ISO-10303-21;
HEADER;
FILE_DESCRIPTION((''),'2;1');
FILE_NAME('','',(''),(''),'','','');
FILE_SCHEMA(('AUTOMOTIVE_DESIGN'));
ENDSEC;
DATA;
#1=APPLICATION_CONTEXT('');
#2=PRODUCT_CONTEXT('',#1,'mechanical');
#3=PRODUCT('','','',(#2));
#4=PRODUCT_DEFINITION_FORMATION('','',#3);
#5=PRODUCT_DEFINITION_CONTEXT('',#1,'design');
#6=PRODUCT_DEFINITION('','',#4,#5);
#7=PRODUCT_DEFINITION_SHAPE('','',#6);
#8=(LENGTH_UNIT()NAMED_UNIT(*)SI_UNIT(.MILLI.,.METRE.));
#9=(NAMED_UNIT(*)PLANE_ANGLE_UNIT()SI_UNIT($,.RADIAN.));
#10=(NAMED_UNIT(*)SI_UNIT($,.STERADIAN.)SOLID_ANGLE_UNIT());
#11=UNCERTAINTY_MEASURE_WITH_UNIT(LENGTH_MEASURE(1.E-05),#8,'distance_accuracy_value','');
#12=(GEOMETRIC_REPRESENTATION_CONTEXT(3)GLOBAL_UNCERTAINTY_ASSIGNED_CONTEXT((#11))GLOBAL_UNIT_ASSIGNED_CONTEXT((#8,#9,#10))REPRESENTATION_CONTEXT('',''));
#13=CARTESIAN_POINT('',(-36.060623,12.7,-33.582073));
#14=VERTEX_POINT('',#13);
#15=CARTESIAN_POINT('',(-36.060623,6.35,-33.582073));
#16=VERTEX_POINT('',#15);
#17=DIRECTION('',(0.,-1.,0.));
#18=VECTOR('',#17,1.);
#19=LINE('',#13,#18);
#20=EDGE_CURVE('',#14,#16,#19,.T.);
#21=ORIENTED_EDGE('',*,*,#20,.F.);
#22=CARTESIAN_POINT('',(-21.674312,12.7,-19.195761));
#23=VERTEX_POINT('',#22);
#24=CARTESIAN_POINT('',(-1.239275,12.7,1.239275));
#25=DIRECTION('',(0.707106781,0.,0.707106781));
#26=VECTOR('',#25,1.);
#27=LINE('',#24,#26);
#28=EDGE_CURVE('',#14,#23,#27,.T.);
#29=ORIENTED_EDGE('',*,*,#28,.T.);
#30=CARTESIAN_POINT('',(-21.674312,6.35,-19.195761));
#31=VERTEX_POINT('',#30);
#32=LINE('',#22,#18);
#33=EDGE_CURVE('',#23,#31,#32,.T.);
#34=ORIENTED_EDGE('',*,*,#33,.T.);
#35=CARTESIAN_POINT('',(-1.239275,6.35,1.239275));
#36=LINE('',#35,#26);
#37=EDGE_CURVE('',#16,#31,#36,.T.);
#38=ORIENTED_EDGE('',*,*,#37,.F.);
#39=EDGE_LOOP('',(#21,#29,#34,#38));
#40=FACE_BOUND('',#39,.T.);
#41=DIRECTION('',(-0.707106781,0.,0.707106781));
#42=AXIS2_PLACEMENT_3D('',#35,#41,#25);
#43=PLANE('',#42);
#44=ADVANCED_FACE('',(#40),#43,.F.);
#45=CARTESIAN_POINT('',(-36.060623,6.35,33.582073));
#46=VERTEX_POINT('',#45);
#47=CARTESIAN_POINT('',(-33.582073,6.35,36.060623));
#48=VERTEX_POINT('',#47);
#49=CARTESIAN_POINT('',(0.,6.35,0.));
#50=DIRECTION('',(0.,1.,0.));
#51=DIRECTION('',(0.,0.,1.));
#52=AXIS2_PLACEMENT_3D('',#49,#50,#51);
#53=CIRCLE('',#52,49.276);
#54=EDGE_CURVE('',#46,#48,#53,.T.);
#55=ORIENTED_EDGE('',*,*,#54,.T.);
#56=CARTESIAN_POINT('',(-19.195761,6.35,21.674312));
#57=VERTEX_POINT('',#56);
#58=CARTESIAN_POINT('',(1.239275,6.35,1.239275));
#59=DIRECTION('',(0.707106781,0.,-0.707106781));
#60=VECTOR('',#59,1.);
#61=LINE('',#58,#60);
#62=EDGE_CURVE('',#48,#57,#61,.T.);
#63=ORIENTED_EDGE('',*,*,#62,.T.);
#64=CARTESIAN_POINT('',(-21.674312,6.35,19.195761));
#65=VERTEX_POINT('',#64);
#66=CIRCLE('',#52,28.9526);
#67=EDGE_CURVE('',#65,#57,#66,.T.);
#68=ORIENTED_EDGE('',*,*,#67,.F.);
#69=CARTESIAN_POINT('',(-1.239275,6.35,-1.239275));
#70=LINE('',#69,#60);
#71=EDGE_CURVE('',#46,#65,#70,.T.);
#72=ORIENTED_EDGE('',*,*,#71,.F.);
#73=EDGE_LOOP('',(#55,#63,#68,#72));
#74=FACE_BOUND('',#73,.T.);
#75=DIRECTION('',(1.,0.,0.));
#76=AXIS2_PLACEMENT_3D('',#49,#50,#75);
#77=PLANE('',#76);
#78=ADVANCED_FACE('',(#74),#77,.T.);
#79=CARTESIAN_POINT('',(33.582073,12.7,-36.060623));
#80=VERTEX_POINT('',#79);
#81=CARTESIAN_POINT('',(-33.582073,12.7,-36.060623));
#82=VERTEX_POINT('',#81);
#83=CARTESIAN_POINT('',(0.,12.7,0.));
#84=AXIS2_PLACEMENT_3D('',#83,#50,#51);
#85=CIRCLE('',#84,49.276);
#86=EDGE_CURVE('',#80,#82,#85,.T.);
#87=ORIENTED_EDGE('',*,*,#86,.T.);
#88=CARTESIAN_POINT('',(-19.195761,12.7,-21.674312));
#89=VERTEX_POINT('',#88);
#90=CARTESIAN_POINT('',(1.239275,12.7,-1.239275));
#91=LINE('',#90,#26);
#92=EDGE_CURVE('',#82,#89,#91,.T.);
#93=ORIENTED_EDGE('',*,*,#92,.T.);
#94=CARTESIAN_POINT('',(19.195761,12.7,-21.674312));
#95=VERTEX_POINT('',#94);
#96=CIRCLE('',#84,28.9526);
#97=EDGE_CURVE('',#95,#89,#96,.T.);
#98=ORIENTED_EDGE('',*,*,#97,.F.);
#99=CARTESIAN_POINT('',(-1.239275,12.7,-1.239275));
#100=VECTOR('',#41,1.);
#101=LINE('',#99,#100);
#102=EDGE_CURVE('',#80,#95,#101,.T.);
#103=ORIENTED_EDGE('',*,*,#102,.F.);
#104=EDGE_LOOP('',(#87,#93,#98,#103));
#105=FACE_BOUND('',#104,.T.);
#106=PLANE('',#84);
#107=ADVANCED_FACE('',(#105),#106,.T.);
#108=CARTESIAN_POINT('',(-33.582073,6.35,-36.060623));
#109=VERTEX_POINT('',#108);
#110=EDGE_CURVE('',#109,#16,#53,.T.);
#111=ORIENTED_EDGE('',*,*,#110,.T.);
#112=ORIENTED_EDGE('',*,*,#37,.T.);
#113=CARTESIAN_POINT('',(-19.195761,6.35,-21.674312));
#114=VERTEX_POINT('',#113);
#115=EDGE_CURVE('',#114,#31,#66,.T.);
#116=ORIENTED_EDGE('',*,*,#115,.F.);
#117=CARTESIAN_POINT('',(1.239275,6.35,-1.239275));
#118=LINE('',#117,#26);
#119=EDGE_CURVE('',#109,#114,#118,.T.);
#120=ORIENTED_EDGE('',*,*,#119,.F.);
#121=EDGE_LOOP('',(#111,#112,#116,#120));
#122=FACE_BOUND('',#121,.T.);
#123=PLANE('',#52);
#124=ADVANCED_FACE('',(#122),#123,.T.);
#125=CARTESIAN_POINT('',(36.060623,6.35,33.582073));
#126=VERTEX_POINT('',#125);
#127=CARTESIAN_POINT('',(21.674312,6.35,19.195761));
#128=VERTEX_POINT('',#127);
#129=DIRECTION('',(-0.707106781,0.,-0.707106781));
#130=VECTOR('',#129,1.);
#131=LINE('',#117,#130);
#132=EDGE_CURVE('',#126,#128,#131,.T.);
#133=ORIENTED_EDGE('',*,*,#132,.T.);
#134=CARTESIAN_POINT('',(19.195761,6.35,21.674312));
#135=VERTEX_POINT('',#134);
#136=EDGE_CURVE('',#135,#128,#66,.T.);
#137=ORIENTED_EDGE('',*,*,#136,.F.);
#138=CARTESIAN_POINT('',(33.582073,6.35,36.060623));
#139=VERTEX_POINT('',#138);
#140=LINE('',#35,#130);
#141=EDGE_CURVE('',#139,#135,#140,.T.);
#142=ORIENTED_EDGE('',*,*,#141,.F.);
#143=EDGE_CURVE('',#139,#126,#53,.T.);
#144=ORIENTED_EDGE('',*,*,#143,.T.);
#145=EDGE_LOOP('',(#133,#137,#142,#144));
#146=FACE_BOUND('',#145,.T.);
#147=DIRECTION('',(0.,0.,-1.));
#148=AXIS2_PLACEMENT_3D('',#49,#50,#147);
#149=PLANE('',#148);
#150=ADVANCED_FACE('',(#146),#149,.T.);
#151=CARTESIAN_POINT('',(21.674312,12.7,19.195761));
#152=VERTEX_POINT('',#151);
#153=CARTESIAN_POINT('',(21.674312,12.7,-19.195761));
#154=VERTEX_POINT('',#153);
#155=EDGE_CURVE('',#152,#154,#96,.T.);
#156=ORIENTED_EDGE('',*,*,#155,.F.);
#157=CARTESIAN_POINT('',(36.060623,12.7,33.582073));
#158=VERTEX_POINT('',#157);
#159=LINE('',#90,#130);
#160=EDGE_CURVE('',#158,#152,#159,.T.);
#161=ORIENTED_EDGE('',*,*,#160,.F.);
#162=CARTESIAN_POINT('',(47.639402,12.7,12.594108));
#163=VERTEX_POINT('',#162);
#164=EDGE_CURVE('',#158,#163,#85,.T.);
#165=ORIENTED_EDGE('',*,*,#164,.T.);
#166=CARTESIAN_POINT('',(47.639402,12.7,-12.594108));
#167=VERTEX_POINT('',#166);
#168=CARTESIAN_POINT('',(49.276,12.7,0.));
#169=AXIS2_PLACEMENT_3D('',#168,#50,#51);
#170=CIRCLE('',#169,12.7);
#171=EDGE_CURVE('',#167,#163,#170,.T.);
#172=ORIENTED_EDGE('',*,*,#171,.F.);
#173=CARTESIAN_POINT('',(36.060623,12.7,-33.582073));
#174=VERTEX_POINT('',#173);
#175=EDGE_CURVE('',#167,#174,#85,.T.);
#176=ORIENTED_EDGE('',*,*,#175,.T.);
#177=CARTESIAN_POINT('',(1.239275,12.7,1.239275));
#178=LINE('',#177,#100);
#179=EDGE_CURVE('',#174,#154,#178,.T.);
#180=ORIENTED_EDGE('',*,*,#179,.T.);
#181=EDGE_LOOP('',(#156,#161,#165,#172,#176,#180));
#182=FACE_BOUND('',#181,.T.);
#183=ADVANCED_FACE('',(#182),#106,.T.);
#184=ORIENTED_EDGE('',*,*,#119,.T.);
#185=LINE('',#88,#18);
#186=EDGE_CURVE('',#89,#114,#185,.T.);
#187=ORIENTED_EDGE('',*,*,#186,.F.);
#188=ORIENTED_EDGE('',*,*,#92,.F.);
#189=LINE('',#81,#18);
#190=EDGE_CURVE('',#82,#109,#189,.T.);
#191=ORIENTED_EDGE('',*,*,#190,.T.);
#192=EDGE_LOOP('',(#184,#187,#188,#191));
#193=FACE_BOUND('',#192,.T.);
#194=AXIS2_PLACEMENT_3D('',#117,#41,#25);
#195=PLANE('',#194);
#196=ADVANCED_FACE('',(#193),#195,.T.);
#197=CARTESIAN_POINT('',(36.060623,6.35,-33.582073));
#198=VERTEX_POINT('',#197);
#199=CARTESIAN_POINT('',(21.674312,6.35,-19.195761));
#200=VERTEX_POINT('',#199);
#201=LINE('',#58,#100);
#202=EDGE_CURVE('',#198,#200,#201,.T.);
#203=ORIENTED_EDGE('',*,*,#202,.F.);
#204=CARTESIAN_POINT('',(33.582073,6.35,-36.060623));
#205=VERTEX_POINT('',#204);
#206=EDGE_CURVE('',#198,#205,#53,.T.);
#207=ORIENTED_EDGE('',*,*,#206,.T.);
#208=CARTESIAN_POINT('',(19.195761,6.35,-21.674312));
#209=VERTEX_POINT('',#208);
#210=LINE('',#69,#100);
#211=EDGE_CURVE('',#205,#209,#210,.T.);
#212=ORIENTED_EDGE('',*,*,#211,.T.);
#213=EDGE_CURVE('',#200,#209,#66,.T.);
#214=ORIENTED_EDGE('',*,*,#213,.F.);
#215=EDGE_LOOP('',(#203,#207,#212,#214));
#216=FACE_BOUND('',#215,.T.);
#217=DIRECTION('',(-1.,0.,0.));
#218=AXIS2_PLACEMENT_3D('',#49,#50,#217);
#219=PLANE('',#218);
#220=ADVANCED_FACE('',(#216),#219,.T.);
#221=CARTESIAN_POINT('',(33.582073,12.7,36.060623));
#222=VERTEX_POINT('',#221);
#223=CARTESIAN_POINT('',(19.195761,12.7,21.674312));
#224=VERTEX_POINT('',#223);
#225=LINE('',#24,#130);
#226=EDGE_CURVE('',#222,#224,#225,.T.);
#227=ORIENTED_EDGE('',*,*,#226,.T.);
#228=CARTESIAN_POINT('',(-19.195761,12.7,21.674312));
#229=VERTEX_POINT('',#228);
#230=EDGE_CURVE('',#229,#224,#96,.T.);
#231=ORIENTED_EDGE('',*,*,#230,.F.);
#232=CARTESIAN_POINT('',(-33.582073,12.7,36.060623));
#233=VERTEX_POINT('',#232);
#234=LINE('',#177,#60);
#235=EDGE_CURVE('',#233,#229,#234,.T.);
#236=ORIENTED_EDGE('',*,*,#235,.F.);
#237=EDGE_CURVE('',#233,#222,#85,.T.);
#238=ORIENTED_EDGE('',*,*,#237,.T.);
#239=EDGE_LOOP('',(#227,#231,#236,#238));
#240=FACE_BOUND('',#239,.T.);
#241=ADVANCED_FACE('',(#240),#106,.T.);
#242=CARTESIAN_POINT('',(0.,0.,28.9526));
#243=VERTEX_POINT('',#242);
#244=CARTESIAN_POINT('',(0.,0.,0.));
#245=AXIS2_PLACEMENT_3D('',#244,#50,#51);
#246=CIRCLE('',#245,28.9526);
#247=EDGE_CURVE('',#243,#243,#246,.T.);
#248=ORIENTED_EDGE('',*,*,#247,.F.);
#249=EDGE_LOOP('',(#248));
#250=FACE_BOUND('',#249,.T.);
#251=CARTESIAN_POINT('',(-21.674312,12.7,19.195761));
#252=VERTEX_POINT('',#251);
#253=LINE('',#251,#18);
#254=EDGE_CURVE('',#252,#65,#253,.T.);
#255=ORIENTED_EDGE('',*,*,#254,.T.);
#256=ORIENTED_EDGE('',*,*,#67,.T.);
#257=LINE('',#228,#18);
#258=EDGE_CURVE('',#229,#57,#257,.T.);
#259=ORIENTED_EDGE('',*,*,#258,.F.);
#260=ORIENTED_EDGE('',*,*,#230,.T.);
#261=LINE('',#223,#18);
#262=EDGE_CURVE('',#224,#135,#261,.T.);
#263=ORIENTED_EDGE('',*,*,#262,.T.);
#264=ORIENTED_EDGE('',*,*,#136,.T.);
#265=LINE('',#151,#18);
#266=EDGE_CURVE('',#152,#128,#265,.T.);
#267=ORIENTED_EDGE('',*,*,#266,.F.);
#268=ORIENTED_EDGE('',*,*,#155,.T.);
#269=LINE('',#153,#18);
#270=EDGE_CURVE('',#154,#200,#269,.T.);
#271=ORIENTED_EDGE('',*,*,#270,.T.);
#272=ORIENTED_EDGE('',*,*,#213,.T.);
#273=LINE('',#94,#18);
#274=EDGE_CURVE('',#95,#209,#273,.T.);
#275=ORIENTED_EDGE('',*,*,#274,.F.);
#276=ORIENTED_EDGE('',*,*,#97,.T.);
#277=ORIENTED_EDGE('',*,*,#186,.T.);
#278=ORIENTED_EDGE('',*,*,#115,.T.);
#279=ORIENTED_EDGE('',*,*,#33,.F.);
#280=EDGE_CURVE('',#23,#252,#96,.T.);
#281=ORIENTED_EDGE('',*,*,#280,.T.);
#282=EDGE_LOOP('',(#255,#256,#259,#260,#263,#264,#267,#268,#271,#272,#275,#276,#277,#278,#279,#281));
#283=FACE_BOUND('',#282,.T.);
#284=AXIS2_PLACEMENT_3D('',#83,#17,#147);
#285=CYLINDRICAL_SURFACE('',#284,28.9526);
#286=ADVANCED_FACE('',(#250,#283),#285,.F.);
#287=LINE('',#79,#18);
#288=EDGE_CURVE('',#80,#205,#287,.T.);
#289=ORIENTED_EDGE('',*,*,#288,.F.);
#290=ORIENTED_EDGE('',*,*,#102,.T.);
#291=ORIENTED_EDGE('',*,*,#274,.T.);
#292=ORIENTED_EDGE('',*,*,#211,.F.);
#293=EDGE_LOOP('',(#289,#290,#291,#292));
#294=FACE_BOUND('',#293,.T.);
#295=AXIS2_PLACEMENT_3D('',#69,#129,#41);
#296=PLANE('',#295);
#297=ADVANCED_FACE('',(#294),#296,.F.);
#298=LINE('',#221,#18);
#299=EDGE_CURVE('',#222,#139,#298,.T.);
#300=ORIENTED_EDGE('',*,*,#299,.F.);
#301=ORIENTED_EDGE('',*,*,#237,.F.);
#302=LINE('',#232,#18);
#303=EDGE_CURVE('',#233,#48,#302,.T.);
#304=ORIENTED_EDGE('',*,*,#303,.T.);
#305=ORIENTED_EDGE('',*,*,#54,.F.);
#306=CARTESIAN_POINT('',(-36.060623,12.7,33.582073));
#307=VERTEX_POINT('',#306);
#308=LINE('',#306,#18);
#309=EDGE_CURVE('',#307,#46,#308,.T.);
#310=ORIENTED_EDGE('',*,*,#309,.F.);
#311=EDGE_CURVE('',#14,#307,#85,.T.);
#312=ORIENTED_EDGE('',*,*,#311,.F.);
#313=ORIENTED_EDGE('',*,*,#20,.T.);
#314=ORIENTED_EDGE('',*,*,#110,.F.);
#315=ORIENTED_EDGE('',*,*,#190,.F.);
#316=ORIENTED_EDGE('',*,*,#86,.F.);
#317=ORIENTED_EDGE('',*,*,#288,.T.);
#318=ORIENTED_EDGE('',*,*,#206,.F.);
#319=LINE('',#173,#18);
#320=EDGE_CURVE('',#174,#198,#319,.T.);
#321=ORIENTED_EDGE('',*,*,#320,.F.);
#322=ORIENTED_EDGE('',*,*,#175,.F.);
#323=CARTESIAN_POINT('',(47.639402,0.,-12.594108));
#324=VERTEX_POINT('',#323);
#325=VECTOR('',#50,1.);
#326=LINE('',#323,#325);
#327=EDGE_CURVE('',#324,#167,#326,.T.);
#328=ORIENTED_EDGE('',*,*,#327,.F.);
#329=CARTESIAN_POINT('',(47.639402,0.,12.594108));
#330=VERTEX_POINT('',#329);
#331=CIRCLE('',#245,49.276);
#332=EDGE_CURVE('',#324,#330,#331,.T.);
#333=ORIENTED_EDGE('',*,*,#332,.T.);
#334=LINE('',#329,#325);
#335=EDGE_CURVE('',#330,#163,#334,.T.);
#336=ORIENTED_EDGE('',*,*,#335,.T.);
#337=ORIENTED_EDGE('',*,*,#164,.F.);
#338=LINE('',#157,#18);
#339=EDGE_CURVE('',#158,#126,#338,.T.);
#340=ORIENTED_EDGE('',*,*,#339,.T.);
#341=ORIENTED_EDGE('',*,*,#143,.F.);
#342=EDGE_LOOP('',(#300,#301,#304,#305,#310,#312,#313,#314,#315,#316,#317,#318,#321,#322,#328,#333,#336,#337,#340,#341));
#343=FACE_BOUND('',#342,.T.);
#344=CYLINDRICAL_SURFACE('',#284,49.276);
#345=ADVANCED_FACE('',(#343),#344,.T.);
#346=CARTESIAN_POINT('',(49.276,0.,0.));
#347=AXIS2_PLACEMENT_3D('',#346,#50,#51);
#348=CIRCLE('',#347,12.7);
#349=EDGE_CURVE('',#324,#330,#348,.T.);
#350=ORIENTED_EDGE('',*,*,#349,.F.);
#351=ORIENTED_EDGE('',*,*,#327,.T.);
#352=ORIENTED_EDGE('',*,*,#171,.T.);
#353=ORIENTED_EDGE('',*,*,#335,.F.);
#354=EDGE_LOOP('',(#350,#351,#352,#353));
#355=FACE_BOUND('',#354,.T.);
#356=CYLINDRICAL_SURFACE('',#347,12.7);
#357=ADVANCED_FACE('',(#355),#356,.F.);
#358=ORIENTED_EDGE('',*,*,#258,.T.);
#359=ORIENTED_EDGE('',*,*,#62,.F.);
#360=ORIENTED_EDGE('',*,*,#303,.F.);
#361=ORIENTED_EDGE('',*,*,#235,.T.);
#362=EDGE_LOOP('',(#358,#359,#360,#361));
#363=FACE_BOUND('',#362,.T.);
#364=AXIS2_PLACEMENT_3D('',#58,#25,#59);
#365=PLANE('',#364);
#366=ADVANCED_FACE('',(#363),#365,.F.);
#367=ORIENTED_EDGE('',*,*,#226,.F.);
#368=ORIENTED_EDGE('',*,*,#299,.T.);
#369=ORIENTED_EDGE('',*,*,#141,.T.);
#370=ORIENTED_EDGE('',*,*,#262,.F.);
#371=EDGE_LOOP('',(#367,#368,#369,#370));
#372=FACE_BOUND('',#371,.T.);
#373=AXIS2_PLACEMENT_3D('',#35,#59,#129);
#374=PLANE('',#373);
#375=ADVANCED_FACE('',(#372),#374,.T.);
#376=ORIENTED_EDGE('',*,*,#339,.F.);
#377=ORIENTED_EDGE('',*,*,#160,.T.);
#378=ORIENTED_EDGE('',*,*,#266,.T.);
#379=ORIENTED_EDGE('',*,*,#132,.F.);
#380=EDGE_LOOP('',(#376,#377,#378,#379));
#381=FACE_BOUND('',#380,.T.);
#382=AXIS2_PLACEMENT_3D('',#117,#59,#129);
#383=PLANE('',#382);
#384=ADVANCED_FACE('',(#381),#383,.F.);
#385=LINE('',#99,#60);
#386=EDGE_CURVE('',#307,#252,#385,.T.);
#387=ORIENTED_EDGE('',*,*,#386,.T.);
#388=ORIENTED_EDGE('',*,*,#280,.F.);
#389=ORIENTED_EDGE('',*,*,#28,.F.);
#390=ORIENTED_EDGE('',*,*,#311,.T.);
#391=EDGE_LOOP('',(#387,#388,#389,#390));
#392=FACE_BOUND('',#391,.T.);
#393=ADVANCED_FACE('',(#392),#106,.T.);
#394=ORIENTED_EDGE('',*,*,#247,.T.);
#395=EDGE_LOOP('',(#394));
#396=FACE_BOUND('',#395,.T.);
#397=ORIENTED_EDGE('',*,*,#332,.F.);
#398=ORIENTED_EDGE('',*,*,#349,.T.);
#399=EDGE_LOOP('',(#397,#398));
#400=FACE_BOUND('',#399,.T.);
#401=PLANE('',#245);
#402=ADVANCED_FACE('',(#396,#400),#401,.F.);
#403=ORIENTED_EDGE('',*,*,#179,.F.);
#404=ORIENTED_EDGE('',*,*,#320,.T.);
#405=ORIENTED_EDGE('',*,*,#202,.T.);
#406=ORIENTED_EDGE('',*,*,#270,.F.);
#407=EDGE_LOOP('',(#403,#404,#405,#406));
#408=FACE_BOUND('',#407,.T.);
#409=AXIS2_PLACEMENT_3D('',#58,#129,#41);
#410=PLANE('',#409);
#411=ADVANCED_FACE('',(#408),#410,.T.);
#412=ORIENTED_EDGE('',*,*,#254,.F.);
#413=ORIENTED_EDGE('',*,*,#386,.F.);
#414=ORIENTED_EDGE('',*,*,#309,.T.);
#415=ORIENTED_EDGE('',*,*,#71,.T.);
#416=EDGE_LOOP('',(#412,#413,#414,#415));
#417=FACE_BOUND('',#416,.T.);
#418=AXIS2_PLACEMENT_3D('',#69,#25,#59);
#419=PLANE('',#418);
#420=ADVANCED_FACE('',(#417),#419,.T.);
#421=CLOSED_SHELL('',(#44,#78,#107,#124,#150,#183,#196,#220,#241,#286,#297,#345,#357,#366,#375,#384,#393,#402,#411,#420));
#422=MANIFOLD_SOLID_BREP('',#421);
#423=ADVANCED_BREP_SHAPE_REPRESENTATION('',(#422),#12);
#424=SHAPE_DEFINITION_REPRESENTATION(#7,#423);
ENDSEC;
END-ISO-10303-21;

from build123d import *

# Parameters (mm, degrees)
SKETCH1_R           = 49.276
BOSS_EXTRUDE1_DEPTH = 12.7
SKETCH1_10_R        = 28.952599956
CUT_EXTRUDE2_DEPTH  = 13.7
SKETCH2_R           = 12.7
CUT_EXTRUDE3_DEPTH  = 13.7
CUT_EXTRUDE4_DEPTH  = 6.35
CIRPATTERN1_COUNT   = 4


with BuildPart() as part:
    # Sketch1 → Boss-Extrude1 (new body)
    with BuildSketch(Plane(origin=(0, 0, 0), x_dir=(1, 0, 0), z_dir=(0, 1, 0))):
        Circle(SKETCH1_R)
    extrude(amount=BOSS_EXTRUDE1_DEPTH)

    # Sketch1<10> → Cut-Extrude2 (cut, through all)
    with BuildSketch(Plane(origin=(0, 0, 0), x_dir=(1, 0, 0), z_dir=(0, 1, 0))):
        Circle(SKETCH1_10_R)
    extrude(amount=CUT_EXTRUDE2_DEPTH, mode=Mode.SUBTRACT)

    # Sketch2 → Cut-Extrude3 (cut, through all)
    with BuildSketch(Plane(origin=(0, 12.7, 0), x_dir=(1, 0, 0), z_dir=(0, 1, 0))):
        with Locations((49.276, 0)):
            Circle(SKETCH2_R)
    extrude(amount=-CUT_EXTRUDE3_DEPTH, mode=Mode.SUBTRACT)

    # Sketch3 → Cut-Extrude4 (cut)
    with BuildSketch(Plane(origin=(0, 12.7, 0), x_dir=(1, 0, 0), z_dir=(0, 1, 0))):
        with BuildLine():
            ThreePointArc((-33.582072771, 36.060623461), (-34.84339375, 34.84339375), (-36.060623461, 33.582072771))
            Line((-36.060623461, 33.582072771), (-21.674311893, 19.195761203))
            ThreePointArc((-21.674311893, 19.195761203), (-20.472579762, 20.472579762), (-19.195761203, 21.674311893))
            Line((-19.195761203, 21.674311893), (-33.582072771, 36.060623461))
        make_face()
        with BuildLine():
            ThreePointArc((-19.195761203, 21.674311893), (-20.472579762, 20.472579762), (-21.674311893, 19.195761203))
            Line((-21.674311893, 19.195761203), (-19.199787587, 16.721236897))
            Line((-19.199787587, 16.721236897), (-16.721236897, 19.199787587))
            Line((-16.721236897, 19.199787587), (-19.195761203, 21.674311893))
        make_face()
        with BuildLine():
            Line((-19.199787587, 16.721236897), (-21.674311893, 19.195761203))
            ThreePointArc((-21.674311893, 19.195761203), (-10.264632547, -27.071947896), (28.952599956, 0))
            ThreePointArc((28.952599956, 0), (11.884566657, 26.400949218), (-19.195761203, 21.674311893))
            Line((-19.195761203, 21.674311893), (-16.721236897, 19.199787587))
            Line((-16.721236897, 19.199787587), (-19.199787587, 16.721236897))
        make_face()
        with BuildLine():
            Line((-34.897275286, 37.375825976), (-37.375825976, 34.897275286))
            Line((-37.375825976, 34.897275286), (-36.060623461, 33.582072771))
            ThreePointArc((-36.060623461, 33.582072771), (-34.84339375, 34.84339375), (-33.582072771, 36.060623461))
            Line((-33.582072771, 36.060623461), (-34.897275286, 37.375825976))
        make_face()
    cut_extrude4 = extrude(amount=-CUT_EXTRUDE4_DEPTH, mode=Mode.SUBTRACT)

    # CirPattern1: Cut-Extrude4 ×4 about axis
    cirpattern1_axis = Axis((0, 0, 0), (0, 1, 0))
    for i in range(1, CIRPATTERN1_COUNT):
        add(cut_extrude4.rotate(cirpattern1_axis, i * 360 / CIRPATTERN1_COUNT), mode=Mode.SUBTRACT)


solid = part.part
